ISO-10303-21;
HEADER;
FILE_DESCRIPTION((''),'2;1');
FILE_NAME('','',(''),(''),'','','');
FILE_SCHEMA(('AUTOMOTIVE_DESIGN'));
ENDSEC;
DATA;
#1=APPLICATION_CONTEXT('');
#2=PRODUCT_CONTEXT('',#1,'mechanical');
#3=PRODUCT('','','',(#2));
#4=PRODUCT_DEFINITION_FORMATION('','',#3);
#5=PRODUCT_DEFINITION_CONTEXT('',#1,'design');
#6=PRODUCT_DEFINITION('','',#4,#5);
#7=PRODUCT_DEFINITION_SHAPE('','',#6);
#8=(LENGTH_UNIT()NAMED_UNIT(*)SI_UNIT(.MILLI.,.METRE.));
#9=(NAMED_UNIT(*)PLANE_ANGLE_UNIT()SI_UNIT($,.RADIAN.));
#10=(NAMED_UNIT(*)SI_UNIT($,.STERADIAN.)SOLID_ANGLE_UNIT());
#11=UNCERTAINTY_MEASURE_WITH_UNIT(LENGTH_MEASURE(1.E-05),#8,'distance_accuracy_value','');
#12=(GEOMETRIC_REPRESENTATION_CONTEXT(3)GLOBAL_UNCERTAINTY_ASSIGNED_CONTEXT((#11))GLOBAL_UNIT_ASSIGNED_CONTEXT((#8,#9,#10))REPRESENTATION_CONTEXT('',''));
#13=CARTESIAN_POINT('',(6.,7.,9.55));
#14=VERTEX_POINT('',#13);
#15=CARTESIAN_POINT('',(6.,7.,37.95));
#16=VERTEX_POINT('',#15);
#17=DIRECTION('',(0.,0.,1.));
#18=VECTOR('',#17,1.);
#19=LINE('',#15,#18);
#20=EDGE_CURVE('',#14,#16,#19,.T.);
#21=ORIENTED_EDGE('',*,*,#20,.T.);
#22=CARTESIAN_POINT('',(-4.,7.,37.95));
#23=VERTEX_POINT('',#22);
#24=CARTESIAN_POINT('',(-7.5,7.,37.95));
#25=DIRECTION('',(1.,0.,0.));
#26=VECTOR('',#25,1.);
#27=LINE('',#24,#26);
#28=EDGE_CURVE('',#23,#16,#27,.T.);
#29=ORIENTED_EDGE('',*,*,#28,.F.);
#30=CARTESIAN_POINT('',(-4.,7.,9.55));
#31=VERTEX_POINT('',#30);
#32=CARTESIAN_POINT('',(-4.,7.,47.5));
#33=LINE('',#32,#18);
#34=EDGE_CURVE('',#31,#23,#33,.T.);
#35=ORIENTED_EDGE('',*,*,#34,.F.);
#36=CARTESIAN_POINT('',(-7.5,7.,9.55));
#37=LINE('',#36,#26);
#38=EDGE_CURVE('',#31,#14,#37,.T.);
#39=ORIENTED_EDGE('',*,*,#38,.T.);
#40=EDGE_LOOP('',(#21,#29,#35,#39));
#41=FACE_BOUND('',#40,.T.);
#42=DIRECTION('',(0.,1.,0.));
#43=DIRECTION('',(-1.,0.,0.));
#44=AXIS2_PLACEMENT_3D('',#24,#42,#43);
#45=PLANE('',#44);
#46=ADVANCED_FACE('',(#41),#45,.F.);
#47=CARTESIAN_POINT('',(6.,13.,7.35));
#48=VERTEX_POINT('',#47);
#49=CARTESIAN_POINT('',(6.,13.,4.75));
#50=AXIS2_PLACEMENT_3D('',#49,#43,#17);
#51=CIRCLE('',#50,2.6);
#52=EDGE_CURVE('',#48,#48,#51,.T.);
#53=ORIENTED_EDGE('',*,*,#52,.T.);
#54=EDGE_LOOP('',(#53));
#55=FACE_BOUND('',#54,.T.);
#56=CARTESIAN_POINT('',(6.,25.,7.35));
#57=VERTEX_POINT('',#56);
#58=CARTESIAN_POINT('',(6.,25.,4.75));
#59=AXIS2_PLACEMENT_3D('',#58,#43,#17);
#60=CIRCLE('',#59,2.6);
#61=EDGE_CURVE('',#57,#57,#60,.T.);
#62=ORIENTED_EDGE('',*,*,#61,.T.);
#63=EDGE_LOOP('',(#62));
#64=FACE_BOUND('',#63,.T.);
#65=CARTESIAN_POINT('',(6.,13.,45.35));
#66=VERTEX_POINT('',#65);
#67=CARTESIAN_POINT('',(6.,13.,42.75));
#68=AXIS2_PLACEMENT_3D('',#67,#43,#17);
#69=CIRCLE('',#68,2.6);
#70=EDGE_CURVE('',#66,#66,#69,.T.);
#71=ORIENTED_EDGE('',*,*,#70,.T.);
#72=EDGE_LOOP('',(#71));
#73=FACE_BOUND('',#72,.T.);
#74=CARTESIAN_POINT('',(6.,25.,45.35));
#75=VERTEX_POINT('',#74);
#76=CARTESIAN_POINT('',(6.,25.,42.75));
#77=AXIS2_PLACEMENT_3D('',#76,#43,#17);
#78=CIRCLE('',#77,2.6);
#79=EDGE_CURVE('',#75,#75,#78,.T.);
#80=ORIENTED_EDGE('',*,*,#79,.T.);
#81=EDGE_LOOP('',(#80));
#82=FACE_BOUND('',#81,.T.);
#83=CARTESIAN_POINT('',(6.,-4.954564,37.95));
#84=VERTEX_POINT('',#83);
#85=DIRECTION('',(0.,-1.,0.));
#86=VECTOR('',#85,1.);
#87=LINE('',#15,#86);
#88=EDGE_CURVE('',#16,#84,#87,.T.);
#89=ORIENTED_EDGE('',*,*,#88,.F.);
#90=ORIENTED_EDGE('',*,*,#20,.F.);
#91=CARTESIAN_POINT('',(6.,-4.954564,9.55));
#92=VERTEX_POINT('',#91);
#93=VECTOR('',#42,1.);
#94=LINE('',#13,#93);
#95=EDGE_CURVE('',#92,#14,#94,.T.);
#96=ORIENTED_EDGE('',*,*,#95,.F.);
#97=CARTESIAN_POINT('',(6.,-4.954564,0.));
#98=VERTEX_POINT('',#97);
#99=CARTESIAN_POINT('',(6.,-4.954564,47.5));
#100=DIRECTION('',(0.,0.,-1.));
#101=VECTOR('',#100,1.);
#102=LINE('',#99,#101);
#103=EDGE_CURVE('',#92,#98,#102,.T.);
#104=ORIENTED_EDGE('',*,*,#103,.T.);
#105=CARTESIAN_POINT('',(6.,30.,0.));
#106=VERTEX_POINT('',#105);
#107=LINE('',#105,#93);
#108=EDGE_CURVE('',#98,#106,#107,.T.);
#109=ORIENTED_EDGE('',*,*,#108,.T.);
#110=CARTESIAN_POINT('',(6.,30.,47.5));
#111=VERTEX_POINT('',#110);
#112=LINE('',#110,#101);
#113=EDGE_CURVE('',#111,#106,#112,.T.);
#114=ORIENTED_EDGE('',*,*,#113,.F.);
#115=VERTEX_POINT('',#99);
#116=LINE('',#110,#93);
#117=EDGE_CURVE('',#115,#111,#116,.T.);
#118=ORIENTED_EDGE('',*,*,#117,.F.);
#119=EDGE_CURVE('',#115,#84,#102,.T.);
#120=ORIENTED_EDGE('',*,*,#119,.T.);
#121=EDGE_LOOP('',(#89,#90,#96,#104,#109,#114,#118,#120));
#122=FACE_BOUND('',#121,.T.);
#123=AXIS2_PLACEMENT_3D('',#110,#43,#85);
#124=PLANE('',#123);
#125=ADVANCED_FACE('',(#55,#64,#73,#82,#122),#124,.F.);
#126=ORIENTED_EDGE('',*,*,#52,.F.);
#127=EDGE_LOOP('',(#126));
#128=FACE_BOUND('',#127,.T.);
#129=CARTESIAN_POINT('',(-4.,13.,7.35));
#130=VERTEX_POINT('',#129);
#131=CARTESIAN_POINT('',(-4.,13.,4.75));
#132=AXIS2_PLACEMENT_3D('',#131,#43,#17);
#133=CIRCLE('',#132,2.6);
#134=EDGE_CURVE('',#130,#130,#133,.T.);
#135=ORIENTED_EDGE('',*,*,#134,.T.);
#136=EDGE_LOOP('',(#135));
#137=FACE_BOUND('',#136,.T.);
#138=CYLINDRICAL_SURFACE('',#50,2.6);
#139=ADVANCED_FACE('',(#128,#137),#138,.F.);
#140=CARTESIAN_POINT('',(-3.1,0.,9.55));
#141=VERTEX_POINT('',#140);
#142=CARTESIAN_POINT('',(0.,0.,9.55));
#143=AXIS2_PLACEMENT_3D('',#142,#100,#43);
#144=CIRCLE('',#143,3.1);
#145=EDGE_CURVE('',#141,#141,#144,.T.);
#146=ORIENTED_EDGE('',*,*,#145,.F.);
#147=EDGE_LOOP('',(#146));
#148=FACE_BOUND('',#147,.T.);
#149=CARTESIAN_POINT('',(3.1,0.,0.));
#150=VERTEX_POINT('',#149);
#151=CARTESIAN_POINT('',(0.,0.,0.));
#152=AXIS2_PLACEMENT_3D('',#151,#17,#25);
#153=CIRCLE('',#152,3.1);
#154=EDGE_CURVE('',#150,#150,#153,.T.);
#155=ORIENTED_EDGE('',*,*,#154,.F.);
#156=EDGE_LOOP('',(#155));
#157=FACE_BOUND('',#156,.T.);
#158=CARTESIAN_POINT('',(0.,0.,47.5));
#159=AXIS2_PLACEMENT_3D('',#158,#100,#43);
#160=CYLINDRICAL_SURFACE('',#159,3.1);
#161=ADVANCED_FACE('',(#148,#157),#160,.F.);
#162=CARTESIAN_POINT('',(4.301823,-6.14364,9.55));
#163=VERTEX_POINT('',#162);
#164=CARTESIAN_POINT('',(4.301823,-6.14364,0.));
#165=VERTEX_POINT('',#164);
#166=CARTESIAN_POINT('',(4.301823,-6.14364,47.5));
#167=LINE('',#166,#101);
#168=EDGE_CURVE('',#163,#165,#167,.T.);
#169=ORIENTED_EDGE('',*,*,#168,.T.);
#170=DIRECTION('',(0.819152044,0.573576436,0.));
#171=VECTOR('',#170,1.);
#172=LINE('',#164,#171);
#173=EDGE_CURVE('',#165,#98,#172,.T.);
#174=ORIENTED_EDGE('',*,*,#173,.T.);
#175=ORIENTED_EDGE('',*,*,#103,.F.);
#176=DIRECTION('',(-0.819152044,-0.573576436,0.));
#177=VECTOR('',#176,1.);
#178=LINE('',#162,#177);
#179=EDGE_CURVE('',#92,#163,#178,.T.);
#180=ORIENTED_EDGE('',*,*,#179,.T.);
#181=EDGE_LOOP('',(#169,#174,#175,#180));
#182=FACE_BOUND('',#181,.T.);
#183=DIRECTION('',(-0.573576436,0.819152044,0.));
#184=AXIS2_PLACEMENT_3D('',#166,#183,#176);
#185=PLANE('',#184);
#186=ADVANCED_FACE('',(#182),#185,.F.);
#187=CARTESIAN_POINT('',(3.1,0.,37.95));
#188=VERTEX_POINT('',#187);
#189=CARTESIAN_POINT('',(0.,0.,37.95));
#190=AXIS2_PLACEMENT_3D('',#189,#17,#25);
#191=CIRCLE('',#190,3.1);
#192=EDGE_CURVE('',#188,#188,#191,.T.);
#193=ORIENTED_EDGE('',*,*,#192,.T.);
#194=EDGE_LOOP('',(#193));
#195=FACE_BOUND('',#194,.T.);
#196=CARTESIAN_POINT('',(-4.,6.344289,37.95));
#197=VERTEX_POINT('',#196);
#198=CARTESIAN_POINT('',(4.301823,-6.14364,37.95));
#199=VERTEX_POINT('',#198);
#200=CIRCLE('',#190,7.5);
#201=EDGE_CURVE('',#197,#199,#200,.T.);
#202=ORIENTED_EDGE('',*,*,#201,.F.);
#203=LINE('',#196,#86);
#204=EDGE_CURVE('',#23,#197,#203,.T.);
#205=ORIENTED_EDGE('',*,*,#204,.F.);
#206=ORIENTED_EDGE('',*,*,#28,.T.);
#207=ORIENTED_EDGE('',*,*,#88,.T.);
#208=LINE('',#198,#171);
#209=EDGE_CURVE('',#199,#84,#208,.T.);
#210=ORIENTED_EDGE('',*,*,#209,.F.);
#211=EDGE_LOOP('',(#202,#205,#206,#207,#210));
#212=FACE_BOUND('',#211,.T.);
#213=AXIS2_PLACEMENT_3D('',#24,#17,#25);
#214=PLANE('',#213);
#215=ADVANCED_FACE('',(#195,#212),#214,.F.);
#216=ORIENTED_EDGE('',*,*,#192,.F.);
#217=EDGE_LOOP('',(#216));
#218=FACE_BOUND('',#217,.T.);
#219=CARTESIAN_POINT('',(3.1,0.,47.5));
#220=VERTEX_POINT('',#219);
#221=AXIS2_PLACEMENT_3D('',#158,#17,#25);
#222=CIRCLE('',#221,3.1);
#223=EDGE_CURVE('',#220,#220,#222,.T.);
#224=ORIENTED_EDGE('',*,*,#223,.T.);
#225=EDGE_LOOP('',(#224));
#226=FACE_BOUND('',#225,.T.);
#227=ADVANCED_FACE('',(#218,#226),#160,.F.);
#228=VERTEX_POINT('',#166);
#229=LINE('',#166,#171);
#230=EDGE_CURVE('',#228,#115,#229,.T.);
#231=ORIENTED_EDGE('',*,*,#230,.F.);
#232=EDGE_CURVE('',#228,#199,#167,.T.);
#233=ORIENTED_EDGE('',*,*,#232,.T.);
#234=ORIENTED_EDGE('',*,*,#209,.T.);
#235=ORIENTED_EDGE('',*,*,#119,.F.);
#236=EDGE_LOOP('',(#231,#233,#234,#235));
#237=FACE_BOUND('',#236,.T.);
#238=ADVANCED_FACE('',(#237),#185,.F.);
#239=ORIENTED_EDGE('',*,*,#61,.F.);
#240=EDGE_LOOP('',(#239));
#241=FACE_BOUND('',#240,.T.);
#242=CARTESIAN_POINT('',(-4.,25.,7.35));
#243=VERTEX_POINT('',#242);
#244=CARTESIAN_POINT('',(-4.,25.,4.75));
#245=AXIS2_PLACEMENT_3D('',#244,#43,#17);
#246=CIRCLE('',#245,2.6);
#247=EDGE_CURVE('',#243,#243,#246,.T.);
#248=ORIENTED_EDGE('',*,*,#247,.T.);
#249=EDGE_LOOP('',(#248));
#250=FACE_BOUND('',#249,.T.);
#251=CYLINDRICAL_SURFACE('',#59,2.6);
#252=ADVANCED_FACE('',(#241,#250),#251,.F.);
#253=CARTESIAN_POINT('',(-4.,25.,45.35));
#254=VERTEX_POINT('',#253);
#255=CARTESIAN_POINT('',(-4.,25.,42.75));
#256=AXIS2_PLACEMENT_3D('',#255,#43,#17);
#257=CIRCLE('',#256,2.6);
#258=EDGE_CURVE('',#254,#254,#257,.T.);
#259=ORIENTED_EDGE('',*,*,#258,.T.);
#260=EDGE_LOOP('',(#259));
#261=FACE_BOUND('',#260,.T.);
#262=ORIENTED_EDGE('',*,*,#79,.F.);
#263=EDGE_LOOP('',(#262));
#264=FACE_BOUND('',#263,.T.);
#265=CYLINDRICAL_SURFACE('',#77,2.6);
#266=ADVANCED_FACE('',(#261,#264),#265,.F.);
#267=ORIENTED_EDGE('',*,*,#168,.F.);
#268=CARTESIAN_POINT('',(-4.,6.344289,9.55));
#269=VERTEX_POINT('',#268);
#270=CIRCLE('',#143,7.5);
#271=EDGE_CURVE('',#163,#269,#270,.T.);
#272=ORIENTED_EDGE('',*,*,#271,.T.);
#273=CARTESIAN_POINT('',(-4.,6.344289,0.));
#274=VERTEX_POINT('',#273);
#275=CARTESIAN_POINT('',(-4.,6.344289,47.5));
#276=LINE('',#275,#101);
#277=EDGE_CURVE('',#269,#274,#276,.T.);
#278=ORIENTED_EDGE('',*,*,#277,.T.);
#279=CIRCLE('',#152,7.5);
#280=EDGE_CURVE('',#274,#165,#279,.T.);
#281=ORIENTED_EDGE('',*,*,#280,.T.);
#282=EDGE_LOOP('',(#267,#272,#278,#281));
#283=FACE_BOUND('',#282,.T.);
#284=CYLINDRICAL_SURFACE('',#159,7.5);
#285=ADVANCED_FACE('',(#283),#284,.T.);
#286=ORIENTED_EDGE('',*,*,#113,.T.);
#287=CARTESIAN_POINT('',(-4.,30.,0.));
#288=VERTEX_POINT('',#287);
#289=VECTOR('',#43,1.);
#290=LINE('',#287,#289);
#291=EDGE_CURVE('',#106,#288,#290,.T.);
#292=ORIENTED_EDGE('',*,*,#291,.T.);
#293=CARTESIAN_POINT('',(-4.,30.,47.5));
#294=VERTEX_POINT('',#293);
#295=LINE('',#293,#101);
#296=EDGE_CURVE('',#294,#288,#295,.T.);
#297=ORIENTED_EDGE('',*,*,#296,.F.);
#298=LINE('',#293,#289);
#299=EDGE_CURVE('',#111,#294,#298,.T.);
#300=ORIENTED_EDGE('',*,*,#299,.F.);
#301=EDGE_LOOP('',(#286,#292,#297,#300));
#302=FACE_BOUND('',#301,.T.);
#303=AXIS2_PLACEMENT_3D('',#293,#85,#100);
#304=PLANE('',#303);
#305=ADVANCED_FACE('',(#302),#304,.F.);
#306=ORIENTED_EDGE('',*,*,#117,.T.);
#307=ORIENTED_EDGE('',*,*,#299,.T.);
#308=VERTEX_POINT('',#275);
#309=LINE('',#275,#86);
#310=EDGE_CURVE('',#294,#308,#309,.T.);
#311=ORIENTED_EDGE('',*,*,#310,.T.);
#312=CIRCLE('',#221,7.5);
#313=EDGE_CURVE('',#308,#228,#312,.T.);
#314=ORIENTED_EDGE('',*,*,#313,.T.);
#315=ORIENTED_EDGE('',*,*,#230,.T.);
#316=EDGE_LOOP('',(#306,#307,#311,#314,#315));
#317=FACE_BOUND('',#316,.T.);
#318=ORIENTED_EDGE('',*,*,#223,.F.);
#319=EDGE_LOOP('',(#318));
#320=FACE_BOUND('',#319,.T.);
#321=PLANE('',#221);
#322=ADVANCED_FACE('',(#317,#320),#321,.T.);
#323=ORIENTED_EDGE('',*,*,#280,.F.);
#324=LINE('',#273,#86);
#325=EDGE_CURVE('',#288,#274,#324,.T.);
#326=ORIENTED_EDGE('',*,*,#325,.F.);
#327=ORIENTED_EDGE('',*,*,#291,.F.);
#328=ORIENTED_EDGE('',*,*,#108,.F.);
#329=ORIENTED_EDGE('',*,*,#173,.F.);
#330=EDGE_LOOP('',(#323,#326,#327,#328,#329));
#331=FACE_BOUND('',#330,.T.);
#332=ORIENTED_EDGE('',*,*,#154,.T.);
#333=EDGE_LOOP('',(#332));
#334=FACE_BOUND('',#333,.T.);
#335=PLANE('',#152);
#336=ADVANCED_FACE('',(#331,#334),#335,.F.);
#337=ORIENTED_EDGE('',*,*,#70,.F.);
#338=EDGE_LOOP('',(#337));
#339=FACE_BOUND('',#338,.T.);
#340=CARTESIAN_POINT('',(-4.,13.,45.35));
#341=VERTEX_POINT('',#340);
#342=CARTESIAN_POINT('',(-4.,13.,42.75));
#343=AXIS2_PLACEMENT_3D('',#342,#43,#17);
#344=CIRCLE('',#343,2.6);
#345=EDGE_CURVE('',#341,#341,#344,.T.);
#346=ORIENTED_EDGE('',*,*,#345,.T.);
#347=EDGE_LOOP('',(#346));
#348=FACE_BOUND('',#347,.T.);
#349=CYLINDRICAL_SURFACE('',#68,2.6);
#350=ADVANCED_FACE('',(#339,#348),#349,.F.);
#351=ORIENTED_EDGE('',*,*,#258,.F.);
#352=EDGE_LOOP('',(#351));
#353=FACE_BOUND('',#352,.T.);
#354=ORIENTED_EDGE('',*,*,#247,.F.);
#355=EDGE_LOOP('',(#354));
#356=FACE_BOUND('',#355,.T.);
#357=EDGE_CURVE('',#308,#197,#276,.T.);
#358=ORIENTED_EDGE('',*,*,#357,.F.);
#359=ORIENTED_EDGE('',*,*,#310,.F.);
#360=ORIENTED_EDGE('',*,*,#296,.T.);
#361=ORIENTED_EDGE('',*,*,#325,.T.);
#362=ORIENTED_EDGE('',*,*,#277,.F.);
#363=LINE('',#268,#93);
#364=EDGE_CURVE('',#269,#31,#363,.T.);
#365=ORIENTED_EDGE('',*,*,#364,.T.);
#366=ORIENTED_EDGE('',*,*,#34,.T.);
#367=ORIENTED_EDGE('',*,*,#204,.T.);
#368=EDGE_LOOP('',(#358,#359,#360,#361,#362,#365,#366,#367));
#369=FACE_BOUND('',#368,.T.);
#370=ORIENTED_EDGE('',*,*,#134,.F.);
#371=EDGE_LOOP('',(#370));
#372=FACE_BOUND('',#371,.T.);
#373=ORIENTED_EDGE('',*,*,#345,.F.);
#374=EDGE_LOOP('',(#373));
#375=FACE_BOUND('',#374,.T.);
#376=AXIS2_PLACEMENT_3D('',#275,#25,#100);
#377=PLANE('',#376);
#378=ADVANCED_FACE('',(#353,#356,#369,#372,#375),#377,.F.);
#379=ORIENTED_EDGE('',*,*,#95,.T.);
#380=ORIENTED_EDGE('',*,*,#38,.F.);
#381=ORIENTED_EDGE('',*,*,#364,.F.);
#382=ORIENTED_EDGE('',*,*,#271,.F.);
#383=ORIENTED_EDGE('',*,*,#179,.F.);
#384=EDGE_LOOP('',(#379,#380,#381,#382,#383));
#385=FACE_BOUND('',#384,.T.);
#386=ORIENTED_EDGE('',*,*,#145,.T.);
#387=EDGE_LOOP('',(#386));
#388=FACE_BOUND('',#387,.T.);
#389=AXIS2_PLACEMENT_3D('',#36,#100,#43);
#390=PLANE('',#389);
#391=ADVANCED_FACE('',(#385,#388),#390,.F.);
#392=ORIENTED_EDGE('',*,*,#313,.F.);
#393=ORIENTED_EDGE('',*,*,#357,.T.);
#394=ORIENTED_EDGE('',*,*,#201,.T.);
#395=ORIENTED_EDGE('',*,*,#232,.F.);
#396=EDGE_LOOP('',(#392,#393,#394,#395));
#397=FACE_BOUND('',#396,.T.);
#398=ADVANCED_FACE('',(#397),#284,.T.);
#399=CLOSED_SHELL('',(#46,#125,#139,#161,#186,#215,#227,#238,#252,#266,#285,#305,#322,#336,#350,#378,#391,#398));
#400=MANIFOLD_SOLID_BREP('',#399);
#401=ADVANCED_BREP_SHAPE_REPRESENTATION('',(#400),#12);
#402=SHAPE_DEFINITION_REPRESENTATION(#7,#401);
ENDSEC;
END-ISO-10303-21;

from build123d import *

# Parameters (mm, degrees)
SKETCH1_R           = 3.1
BOSS_EXTRUDE1_DEPTH = 47.5
SKETCH2_W           = 28.4
SKETCH2_H           = 18.032695685
CUT_EXTRUDE1_DEPTH  = 14.5
SKETCH3_R           = 2.6
CUT_EXTRUDE2_DEPTH  = 11


with BuildPart() as part:
    # Sketch1 → Boss-Extrude1 (new body)
    with BuildSketch(Plane.XY):
        with BuildLine():
            Line((-4, 6.34428877), (-4, 30))
            Line((-4, 30), (6, 30))
            Line((6, 30), (6, -4.954564186))
            Line((6, -4.954564186), (4.301823273, -6.143640332))
            ThreePointArc((4.301823273, -6.143640332), (-6.245787992, -4.152123837), (-4, 6.34428877))
        make_face()
        Circle(SKETCH1_R, mode=Mode.SUBTRACT)
    extrude(amount=BOSS_EXTRUDE1_DEPTH)

    # Sketch2 → Cut-Extrude1 (cut, through all)
    with BuildSketch(Plane(origin=(6, 0, 0), x_dir=(0, 0, -1), z_dir=(1, 0, 0))):
        with Locations((-23.75, -2.016347843)):
            Rectangle(SKETCH2_W, SKETCH2_H)
    extrude(amount=-CUT_EXTRUDE1_DEPTH, mode=Mode.SUBTRACT)

    # Sketch3 → Cut-Extrude2 (cut, through all)
    with BuildSketch(Plane.ZY.offset(4)):
        with Locations((4.75, 25)):
            Circle(SKETCH3_R)
        with Locations((4.75, 13)):
            Circle(SKETCH3_R)
        with Locations((42.75, 25)):
            Circle(SKETCH3_R)
        with Locations((42.75, 13)):
            Circle(SKETCH3_R)
    extrude(amount=-CUT_EXTRUDE2_DEPTH, mode=Mode.SUBTRACT)


solid = part.part
